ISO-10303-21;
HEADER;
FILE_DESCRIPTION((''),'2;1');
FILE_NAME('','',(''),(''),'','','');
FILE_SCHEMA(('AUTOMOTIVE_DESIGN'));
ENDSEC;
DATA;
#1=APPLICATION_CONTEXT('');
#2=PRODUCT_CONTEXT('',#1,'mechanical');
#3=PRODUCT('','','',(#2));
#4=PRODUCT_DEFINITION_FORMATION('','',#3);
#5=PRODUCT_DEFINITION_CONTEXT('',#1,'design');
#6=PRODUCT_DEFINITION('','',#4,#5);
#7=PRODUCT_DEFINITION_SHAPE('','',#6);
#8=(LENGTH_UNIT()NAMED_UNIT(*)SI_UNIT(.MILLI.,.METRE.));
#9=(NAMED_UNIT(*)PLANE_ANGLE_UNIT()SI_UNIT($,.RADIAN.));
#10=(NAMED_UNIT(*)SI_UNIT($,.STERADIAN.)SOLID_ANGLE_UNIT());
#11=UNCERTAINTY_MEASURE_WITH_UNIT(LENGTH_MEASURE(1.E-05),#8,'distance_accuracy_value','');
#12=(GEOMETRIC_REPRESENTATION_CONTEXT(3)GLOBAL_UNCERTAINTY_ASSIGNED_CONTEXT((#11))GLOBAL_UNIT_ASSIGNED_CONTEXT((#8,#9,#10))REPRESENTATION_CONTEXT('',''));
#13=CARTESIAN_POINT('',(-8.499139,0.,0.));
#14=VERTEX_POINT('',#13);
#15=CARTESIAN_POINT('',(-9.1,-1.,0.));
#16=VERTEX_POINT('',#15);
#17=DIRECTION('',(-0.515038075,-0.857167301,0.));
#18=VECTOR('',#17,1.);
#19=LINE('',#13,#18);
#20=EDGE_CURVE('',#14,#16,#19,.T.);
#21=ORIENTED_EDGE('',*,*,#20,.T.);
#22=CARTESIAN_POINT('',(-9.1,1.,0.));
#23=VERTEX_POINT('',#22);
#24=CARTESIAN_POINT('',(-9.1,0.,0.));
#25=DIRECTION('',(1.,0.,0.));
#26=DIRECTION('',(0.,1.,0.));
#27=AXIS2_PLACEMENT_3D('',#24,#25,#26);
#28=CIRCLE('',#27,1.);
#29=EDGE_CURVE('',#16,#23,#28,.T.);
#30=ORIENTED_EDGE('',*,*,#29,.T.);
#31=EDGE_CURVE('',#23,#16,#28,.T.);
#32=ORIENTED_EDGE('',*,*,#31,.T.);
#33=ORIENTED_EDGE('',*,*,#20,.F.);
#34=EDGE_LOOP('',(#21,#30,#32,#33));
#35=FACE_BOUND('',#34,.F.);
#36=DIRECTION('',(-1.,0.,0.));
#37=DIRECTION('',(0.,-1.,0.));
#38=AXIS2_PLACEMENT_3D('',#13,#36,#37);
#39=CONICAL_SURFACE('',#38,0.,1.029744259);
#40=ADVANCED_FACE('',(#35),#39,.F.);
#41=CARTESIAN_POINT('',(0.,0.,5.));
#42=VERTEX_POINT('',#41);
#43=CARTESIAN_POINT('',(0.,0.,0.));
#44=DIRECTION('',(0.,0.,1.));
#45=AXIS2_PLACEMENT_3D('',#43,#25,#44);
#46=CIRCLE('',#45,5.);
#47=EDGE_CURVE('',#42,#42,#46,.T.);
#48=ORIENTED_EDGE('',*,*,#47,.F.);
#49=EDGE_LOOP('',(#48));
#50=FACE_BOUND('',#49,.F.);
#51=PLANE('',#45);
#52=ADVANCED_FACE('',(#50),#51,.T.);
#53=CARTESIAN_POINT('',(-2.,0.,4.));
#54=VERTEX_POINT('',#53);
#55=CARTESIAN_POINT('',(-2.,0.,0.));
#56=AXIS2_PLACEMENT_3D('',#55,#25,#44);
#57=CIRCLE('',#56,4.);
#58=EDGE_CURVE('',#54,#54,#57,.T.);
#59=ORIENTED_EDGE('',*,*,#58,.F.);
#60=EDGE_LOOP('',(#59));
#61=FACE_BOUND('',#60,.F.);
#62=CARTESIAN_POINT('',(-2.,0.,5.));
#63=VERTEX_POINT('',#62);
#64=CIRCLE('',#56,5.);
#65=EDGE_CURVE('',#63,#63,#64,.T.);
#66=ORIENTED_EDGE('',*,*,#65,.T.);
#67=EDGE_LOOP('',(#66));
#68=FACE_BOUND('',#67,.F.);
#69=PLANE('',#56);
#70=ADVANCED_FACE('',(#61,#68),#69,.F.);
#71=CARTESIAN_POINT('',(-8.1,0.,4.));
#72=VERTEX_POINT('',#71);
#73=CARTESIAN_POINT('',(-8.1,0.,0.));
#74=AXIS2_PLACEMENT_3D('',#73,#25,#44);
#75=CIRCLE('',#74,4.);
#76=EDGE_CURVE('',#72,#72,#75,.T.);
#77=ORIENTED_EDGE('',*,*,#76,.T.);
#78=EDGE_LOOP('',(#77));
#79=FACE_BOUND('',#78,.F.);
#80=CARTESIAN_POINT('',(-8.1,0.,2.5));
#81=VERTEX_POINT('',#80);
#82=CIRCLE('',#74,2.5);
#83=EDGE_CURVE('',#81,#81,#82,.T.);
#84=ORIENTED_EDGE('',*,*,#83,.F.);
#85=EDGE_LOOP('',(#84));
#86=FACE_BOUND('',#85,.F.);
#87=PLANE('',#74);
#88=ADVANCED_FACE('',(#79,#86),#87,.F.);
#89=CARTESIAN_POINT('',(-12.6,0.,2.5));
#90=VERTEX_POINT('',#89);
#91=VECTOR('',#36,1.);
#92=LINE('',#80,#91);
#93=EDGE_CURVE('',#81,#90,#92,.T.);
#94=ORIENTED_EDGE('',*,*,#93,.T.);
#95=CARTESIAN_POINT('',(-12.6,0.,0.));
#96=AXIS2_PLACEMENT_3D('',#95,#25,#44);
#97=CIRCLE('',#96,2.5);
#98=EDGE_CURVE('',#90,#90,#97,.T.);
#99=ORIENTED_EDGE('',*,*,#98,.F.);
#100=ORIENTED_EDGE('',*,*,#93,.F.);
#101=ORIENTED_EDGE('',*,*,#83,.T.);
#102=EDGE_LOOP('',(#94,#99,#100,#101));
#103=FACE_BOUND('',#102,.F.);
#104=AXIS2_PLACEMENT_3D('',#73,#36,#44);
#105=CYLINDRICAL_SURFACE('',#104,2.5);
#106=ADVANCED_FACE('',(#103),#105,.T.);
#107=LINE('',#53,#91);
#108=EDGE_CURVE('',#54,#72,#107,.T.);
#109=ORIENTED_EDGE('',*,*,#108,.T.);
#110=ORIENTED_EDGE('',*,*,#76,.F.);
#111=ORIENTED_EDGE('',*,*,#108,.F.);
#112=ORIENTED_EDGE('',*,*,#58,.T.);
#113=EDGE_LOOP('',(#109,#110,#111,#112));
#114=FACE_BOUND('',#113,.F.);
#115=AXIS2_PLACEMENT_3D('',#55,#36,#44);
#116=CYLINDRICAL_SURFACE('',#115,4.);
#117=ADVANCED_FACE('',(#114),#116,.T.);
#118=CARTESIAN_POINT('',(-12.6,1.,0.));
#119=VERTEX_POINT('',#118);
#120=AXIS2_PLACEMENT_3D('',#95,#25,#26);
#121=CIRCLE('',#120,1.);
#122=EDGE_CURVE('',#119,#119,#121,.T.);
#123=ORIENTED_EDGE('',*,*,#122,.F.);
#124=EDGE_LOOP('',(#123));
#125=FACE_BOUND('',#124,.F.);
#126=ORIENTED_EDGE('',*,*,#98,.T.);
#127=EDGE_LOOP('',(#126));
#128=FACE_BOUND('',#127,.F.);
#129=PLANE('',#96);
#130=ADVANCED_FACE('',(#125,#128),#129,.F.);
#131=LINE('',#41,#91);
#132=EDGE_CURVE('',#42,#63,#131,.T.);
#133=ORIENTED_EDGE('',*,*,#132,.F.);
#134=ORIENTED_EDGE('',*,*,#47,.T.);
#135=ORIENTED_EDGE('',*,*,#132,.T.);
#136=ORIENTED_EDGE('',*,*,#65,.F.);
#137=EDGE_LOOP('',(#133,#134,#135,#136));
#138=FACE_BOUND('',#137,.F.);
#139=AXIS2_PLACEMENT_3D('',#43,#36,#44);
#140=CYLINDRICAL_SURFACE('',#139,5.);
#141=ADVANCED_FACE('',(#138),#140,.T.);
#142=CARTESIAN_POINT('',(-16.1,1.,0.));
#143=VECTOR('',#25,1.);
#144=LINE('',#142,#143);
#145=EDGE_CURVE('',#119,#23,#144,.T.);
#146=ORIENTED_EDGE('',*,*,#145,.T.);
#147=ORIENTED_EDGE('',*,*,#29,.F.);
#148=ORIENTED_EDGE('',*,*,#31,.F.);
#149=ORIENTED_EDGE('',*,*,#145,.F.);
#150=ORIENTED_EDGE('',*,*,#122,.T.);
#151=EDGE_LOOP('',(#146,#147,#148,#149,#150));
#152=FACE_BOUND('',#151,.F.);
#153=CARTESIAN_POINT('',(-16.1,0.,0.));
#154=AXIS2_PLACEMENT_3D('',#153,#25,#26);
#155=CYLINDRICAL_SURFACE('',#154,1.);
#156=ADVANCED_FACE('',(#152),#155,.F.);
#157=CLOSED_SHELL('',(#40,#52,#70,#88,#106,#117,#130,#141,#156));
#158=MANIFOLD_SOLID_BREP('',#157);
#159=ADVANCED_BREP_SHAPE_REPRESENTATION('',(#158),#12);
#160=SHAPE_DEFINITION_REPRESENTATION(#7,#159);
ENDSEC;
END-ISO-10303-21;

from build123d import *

# Parameters (mm, degrees)
F3_D     = 2
F3_DEPTH = 3.5
F3_TIP   = 0.600860619


with BuildPart() as f1:
    # F0 (on Front) → F1 (revolve)
    with BuildSketch(Plane.XZ):
        Polygon((-12.6, 0), (0, 0), (0, 5), (-2, 5), (-2, 4), (-8.1, 4), (-8.1, 2.5), (-12.6, 2.5), align=None)
    revolve(axis=Axis((-6.3, 0, 0), (1, 0, 0)))

    # F3
    with Locations(Plane(origin=(-12.6, 0, 0), x_dir=(0, -1, 0), z_dir=(-1, 0, 0))):
        with Locations((0, 0)):
            Hole(F3_D / 2, depth=F3_DEPTH)
            with Locations((0, 0, -(F3_DEPTH + F3_TIP / 2))):  # 118° drill point
                Cone(0, F3_D / 2, F3_TIP, mode=Mode.SUBTRACT)


solid = f1.part
